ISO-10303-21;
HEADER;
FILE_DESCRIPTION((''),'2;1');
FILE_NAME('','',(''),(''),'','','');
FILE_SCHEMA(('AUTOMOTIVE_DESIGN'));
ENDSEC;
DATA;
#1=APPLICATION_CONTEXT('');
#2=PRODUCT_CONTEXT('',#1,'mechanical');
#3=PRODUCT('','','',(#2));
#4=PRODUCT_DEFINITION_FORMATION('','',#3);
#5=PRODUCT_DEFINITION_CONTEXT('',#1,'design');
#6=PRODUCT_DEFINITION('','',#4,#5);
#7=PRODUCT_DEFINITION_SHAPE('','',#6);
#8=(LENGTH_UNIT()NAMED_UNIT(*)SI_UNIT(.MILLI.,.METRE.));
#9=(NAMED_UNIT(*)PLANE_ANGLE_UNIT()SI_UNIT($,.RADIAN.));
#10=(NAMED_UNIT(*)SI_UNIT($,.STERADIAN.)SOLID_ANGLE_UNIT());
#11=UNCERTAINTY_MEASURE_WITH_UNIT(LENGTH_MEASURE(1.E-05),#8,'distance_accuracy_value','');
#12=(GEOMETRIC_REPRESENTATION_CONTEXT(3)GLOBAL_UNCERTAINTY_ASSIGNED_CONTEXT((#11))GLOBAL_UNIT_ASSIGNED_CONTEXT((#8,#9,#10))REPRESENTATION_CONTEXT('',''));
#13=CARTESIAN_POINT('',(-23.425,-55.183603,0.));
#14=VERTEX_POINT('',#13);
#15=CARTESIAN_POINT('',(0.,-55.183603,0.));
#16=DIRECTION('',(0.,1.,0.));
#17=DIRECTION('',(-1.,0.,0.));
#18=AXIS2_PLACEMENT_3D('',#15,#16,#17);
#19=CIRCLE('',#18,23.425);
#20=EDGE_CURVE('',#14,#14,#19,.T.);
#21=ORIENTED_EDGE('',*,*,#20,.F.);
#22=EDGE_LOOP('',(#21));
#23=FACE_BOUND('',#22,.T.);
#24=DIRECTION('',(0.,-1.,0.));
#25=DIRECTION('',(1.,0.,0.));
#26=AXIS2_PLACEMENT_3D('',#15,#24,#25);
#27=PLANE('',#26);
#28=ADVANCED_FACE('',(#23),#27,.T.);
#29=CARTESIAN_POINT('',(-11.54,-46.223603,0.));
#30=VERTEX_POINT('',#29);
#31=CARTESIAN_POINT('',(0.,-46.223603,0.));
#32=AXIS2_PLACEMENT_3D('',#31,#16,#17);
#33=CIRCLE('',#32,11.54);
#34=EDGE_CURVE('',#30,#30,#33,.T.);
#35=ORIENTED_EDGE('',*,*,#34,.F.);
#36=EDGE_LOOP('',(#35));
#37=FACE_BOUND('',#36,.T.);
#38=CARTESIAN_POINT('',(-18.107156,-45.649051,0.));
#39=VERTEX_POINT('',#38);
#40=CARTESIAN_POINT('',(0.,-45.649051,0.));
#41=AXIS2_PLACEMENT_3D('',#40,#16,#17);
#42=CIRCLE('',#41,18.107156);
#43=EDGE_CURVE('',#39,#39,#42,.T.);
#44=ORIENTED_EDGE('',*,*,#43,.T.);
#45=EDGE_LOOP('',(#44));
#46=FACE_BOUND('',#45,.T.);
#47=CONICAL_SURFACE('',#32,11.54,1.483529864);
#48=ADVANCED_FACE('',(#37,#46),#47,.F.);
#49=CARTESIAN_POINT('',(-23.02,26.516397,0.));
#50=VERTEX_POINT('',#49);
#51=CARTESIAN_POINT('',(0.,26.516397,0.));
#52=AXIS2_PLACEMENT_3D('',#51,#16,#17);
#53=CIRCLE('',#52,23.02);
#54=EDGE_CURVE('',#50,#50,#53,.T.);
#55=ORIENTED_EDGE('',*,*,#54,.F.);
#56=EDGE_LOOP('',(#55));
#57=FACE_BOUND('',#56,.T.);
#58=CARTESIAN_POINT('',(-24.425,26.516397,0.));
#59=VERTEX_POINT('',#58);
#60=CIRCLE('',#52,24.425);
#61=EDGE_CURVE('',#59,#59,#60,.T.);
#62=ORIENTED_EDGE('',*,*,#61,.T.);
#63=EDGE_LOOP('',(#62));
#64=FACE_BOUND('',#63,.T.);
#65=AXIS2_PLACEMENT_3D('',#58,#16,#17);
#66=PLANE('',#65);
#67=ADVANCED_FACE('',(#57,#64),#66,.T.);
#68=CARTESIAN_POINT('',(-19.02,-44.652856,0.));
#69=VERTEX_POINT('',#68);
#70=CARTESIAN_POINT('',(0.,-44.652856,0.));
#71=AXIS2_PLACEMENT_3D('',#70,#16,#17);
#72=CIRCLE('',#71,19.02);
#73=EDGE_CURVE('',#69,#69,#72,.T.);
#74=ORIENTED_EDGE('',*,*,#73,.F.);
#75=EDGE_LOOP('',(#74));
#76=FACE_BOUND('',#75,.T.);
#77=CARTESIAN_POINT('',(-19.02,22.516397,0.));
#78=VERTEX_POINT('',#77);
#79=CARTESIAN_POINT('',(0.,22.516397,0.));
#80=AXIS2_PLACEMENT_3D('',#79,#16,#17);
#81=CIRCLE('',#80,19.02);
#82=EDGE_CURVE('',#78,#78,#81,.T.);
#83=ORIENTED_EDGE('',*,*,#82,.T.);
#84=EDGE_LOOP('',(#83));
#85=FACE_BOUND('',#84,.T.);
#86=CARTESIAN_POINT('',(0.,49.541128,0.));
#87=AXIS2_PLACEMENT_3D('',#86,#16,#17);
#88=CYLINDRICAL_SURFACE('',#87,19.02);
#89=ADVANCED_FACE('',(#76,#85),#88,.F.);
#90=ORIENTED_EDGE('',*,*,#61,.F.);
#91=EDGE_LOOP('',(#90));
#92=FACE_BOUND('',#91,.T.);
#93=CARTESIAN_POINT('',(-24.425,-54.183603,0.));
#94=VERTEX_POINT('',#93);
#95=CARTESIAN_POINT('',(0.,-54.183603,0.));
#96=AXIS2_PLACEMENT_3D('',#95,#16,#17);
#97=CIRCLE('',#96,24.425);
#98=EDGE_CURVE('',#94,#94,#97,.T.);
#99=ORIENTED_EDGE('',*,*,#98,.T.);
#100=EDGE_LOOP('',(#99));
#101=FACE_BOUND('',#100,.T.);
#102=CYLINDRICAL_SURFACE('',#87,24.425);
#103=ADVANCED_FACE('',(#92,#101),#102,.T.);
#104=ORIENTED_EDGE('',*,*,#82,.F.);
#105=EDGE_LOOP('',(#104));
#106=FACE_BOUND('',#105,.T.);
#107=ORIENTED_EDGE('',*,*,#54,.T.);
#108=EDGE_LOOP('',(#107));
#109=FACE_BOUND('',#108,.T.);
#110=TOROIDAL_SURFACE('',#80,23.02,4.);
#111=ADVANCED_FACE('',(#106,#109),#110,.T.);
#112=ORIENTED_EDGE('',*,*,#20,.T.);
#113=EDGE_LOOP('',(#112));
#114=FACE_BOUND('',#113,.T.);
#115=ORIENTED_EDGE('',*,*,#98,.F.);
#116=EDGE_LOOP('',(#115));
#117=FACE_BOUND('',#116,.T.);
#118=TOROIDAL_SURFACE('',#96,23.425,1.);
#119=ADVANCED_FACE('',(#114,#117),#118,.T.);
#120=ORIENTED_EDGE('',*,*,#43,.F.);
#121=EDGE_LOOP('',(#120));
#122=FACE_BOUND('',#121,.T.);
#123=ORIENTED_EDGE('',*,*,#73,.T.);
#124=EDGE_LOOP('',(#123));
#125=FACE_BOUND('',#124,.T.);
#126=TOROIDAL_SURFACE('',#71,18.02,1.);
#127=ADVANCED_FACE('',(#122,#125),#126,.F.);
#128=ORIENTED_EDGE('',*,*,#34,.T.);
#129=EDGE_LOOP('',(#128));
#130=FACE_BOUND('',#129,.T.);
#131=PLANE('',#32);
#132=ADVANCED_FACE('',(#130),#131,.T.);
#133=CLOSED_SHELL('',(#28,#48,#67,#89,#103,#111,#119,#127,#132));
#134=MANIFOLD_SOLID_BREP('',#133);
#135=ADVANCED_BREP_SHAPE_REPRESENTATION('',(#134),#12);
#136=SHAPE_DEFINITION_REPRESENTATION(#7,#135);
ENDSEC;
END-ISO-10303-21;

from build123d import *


with BuildPart() as part:
    # Szkic1 → Obrót1 (revolve)
    with BuildSketch(Plane.XY):
        with BuildLine():
            Line((0, -46.223602563), (-11.54, -46.223602563))
            Line((-11.54, -46.223602563), (-18.107155743, -45.649050884))
            ThreePointArc((-18.107155743, -45.649050884), (-18.757277337, -45.328446393), (-19.02, -44.652856186))
            Line((-19.02, -44.652856186), (-19.02, 22.516397437))
            ThreePointArc((-19.02, 22.516397437), (-20.191572875, 25.344824562), (-23.02, 26.516397437))
            Line((-23.02, 26.516397437), (-24.42, 26.516397437))
            Line((-24.42, 26.516397437), (-24.425, 26.516397437))
            Line((-24.425, 26.516397437), (-24.425, -54.183602563))
            ThreePointArc((-24.425, -54.183602563), (-24.132106781, -54.890709344), (-23.425, -55.183602563))
            Line((-23.425, -55.183602563), (0, -55.183602563))
            Line((0, -55.183602563), (0, -46.223602563))
        make_face()
    revolve(axis=Axis((0, 49.541128149, 0), (0, -1, 0)))


solid = part.part
